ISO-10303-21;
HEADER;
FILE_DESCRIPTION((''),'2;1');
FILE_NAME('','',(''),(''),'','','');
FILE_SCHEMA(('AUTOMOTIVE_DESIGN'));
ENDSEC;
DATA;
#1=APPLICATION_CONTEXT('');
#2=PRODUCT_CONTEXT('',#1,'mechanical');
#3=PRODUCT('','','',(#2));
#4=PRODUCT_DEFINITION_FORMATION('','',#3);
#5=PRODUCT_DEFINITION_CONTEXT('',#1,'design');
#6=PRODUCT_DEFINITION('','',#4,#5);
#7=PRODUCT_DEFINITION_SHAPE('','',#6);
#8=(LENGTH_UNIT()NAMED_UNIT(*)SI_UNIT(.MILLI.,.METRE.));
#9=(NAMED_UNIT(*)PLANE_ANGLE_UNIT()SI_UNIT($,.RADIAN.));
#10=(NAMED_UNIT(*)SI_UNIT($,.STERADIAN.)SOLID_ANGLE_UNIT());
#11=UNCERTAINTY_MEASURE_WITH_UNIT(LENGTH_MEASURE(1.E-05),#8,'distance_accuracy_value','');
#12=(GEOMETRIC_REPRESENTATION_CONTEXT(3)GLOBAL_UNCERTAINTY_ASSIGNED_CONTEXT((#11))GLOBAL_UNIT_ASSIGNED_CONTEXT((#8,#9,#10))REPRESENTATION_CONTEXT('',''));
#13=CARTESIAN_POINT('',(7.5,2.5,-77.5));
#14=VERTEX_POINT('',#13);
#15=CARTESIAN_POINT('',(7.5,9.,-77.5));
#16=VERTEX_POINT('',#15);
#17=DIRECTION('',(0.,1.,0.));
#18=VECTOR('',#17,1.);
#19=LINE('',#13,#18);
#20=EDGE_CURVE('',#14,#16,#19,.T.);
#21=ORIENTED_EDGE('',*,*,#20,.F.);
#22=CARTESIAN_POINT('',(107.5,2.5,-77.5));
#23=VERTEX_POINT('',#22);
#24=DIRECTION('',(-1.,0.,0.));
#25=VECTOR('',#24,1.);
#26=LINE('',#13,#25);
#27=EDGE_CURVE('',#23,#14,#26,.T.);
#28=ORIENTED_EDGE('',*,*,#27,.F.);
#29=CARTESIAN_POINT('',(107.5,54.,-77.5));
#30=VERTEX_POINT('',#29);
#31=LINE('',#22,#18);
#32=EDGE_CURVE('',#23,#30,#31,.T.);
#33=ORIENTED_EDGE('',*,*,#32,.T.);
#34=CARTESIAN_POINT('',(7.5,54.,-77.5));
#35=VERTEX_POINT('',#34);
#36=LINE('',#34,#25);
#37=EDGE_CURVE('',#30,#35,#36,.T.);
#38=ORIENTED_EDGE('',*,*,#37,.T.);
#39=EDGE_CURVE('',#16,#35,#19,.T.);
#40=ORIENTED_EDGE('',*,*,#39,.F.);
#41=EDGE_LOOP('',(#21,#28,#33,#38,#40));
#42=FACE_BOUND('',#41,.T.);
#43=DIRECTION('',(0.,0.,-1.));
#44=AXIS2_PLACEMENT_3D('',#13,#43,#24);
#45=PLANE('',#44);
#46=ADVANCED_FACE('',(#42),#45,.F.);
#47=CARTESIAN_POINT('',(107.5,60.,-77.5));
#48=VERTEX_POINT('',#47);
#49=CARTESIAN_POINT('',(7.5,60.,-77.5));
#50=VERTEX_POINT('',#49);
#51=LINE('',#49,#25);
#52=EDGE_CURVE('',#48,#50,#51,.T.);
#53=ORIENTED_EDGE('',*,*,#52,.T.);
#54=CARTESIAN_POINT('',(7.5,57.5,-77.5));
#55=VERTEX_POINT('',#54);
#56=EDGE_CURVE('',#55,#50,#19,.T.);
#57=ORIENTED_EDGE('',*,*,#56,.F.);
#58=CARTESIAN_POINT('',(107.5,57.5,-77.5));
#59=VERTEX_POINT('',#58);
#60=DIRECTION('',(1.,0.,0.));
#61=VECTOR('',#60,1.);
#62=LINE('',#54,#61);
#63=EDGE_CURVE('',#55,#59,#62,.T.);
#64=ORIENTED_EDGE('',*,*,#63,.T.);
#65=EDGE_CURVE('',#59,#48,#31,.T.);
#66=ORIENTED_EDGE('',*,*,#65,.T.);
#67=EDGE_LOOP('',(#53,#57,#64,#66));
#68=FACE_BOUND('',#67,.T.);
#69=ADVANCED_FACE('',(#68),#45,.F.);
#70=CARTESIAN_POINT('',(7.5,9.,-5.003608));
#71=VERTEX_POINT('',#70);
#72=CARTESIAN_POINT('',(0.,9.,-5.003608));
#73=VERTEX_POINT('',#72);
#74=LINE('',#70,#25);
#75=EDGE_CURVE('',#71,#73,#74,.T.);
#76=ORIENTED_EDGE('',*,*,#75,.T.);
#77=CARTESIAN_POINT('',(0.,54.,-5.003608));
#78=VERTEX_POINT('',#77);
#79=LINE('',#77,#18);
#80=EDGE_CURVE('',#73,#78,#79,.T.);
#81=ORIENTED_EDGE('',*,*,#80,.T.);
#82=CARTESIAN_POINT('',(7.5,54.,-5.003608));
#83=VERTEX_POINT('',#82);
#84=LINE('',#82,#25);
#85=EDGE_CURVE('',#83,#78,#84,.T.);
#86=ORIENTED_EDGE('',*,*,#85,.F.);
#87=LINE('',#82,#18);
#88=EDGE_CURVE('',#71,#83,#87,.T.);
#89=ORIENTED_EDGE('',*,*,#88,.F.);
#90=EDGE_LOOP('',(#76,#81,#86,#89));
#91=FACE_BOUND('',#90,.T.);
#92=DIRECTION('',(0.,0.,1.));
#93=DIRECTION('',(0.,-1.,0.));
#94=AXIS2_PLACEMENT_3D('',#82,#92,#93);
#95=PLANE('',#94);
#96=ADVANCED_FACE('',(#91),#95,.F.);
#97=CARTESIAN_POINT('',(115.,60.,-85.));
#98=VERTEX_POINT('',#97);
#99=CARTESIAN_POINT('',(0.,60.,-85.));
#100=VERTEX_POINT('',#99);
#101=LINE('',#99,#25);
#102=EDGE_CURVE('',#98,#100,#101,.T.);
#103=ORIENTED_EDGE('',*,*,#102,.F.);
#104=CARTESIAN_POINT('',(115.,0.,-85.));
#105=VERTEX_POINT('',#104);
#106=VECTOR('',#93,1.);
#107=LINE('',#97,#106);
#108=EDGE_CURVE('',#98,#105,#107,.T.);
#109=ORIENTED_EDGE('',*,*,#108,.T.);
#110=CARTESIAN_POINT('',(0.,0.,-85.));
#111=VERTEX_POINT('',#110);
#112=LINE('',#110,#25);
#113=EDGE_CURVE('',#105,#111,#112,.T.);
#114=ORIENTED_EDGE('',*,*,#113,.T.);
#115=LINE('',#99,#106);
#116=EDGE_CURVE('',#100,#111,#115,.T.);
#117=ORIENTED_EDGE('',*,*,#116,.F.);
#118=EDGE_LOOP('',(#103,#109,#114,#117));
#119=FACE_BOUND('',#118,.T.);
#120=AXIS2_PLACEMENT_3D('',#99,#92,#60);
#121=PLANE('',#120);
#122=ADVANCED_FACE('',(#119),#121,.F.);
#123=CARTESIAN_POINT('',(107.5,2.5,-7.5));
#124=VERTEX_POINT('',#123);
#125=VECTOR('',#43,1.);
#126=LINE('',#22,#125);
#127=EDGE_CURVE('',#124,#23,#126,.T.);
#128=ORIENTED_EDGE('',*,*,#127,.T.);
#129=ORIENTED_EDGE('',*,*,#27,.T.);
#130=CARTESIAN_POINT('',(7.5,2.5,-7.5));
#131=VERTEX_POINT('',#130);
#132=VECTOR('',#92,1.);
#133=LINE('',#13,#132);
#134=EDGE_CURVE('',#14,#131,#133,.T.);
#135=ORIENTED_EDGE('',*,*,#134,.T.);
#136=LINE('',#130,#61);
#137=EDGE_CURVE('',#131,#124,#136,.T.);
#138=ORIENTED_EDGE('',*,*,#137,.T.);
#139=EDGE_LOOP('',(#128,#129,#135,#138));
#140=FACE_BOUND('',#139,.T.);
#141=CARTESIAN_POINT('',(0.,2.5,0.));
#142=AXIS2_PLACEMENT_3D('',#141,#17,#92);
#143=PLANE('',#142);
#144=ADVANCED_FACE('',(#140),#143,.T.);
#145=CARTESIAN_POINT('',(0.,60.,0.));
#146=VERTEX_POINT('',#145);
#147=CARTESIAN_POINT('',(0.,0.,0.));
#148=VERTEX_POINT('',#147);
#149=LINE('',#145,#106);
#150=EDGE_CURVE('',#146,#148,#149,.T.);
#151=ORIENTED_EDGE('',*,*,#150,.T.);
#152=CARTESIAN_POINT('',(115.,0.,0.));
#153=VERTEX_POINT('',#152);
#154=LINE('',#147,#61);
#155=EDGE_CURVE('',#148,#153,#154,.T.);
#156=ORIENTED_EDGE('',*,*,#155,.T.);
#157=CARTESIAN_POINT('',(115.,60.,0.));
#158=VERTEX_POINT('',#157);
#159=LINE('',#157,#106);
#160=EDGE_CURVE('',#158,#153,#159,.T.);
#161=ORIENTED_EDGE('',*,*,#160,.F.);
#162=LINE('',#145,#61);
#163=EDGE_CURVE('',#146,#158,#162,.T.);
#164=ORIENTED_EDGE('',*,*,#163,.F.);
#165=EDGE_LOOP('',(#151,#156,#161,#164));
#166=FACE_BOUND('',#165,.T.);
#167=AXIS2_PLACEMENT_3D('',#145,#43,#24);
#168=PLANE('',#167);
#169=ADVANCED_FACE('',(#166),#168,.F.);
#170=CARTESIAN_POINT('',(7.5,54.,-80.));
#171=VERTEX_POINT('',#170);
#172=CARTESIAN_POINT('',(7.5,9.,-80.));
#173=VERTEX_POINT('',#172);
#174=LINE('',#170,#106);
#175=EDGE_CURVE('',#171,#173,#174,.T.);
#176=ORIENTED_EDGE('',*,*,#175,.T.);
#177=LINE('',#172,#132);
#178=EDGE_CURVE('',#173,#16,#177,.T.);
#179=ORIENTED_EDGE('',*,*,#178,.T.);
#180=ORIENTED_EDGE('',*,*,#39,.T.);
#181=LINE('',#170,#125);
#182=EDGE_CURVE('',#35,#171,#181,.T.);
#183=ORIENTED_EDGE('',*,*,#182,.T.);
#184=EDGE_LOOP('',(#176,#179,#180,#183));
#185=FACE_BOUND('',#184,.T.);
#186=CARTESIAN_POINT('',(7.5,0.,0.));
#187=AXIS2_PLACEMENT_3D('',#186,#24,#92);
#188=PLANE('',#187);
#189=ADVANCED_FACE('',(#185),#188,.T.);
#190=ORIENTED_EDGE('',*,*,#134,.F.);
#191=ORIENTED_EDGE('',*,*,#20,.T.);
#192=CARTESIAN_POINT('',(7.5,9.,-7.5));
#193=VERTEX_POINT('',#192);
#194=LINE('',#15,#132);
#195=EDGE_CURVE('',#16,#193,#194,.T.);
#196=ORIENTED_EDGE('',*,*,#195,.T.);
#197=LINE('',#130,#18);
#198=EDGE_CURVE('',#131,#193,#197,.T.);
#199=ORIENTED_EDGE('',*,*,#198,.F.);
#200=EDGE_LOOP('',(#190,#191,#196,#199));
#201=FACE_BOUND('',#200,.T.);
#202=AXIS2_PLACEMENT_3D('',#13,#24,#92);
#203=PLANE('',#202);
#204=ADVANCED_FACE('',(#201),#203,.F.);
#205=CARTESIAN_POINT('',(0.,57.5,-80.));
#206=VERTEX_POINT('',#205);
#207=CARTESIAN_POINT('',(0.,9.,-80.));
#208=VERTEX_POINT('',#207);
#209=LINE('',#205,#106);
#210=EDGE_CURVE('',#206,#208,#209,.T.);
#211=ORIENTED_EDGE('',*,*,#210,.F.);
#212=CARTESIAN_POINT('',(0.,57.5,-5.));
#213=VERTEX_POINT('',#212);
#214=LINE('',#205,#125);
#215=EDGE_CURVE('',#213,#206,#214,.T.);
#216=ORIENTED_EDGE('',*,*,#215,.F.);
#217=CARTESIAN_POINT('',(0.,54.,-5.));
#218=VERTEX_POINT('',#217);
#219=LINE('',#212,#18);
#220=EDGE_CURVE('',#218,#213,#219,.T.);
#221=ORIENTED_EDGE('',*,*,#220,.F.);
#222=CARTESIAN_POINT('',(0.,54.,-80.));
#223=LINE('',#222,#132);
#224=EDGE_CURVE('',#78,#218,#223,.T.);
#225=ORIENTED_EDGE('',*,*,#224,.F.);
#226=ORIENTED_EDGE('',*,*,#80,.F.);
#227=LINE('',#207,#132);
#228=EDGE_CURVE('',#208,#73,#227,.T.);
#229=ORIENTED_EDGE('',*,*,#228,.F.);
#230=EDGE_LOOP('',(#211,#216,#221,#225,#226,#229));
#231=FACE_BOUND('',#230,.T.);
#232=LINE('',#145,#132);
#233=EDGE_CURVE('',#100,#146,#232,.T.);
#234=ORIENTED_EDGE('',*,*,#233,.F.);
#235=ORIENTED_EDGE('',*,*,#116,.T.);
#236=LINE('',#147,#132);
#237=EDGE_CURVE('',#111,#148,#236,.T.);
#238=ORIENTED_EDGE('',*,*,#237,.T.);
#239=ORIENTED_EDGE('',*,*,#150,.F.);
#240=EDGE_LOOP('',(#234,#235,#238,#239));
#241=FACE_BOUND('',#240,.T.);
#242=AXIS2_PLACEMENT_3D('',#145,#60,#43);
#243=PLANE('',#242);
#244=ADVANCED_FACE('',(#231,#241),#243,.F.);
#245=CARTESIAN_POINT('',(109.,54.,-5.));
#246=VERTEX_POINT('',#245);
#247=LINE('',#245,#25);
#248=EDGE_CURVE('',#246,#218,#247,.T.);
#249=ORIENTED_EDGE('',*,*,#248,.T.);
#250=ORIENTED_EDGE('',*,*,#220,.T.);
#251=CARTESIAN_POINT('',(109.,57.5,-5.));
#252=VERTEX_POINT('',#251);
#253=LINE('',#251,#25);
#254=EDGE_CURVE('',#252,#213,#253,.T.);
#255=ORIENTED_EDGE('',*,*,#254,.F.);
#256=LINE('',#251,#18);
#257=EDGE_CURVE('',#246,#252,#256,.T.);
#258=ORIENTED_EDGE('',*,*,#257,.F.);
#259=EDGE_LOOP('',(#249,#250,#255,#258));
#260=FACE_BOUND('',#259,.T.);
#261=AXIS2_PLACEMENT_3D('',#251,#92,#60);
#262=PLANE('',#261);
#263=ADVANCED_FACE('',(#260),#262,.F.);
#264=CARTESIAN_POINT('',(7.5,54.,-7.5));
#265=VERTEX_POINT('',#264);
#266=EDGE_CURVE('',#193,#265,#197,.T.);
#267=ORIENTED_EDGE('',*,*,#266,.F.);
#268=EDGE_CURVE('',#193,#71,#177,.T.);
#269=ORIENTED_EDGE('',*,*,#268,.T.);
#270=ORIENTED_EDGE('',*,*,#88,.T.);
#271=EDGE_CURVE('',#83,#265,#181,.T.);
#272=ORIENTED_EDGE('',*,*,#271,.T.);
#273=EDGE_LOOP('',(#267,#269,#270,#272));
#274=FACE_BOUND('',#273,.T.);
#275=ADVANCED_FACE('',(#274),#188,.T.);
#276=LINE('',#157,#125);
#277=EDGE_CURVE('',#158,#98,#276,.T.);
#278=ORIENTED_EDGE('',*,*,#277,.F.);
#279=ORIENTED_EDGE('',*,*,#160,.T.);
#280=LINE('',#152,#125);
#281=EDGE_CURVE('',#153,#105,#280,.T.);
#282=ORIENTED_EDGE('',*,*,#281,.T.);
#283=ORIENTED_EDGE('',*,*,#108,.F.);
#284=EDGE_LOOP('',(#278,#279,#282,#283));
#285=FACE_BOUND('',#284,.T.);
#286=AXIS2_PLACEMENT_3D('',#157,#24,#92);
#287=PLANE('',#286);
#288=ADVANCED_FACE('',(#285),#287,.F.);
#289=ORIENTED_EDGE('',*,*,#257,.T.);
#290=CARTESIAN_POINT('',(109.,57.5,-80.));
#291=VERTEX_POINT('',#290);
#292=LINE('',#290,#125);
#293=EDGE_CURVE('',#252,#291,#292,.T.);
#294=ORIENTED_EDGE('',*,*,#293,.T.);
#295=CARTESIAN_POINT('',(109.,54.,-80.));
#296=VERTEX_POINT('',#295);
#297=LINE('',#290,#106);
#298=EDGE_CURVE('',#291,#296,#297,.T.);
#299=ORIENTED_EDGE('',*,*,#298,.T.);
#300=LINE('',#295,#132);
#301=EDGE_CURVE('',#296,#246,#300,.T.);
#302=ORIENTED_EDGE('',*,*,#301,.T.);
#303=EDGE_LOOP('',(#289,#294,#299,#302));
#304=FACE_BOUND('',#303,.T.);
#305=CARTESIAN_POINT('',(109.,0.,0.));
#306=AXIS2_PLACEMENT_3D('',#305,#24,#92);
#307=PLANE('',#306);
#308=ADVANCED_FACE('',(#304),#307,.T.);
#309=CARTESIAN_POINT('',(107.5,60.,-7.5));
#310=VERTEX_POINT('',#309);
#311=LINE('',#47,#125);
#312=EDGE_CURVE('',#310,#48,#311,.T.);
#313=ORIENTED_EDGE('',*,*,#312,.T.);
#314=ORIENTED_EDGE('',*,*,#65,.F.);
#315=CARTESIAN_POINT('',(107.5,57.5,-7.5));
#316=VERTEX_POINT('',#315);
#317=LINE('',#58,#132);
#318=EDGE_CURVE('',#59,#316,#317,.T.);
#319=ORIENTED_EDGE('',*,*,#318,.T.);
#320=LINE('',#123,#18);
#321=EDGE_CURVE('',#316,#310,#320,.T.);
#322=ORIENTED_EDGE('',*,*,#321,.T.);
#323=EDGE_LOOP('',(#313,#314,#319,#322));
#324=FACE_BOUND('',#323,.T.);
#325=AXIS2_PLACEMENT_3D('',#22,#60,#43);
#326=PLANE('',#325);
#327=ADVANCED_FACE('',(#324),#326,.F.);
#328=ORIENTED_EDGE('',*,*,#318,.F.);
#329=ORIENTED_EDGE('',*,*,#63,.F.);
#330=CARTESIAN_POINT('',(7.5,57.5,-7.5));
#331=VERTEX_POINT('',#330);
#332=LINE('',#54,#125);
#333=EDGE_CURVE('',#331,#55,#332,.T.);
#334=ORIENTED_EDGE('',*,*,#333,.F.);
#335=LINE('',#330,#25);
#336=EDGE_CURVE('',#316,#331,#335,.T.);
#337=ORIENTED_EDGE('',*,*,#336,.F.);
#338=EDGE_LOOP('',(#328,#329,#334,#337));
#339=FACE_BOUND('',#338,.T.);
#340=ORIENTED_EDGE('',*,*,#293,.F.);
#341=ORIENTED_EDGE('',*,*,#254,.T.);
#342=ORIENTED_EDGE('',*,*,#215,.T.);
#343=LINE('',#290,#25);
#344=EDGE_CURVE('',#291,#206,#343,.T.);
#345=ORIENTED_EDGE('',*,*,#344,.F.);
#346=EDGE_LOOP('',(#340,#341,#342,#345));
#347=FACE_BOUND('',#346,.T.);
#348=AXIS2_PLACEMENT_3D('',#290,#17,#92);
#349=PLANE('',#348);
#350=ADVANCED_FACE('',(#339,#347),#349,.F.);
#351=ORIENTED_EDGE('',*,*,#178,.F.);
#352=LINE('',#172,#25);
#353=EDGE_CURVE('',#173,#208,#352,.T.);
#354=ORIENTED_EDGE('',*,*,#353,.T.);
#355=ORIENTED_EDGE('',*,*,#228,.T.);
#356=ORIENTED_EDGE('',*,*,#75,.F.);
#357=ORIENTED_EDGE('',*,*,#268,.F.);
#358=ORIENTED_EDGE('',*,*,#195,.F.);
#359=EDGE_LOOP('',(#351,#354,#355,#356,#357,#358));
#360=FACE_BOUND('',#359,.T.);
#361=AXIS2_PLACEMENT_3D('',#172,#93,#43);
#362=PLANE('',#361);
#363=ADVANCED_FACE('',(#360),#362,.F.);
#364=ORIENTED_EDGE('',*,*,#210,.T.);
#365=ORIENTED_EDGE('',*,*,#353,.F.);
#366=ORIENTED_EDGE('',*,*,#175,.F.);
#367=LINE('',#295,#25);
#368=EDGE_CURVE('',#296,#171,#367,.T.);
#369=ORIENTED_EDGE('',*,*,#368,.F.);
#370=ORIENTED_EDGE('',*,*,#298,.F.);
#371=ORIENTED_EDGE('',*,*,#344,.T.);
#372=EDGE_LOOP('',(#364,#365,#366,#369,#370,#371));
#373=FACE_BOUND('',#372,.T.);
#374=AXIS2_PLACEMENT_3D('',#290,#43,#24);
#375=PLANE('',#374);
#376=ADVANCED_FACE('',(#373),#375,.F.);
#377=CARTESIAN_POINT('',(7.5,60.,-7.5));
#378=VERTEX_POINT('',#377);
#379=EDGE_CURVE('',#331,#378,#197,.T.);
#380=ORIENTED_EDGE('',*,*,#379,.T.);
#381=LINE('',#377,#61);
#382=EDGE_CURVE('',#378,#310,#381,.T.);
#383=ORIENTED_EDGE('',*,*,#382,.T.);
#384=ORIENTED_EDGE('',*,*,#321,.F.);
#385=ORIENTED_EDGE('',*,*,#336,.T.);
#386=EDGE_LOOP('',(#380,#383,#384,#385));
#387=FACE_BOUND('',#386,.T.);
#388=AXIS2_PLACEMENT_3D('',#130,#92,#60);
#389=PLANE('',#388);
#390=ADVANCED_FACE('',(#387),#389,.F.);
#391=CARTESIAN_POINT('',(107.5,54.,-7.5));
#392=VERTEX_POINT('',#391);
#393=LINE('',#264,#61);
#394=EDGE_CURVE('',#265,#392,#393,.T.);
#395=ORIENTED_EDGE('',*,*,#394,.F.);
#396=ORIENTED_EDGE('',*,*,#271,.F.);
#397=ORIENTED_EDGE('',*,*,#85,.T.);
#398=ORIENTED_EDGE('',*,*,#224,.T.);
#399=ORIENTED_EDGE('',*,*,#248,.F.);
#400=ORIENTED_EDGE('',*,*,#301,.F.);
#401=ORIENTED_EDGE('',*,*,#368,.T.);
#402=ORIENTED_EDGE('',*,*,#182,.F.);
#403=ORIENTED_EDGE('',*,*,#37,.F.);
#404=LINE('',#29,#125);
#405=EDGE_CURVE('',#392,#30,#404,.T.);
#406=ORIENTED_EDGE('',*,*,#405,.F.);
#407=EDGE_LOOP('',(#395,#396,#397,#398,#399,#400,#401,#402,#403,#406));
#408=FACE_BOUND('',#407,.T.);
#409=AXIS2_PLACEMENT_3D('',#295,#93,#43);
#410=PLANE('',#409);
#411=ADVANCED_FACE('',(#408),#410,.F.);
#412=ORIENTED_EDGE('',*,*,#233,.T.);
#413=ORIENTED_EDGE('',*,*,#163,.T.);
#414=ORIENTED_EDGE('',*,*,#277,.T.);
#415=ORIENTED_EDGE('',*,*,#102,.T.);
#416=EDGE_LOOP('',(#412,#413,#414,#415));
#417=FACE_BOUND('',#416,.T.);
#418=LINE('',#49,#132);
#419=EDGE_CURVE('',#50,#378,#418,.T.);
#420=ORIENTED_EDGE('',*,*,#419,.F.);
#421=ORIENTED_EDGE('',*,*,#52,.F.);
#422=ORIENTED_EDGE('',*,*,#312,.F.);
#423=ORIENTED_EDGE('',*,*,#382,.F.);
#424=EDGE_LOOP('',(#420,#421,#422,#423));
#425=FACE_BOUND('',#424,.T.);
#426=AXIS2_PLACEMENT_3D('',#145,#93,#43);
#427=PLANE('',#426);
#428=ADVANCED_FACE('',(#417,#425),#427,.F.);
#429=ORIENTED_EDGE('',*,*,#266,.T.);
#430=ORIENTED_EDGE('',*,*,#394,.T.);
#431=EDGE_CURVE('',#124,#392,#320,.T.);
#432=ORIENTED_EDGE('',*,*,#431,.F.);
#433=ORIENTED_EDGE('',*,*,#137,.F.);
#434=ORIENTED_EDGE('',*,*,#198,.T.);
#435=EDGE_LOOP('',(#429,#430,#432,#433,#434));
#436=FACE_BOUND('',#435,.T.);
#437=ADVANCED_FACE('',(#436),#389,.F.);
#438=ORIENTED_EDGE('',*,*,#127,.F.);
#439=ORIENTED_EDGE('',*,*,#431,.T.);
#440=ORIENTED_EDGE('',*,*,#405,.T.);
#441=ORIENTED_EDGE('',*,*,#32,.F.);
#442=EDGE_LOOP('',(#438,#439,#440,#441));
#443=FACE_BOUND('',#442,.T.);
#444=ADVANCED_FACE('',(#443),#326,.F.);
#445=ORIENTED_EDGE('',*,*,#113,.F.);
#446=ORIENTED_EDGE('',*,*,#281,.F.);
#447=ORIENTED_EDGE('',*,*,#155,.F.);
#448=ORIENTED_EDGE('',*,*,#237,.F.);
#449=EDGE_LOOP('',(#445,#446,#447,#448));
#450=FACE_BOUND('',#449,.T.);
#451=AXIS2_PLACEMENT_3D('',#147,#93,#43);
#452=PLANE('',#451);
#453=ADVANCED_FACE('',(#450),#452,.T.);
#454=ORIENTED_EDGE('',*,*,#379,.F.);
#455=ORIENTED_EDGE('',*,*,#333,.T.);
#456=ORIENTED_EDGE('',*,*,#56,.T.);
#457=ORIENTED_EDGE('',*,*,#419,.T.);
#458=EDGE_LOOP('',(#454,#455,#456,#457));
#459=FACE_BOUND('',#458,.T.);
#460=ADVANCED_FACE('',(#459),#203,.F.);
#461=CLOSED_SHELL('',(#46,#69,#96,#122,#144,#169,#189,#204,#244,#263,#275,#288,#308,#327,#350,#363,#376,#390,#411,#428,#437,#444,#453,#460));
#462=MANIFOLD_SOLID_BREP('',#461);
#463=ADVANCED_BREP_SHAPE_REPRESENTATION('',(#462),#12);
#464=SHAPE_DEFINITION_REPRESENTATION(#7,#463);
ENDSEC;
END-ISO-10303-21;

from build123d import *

# Parameters (mm, degrees)
SKETCH1_W           = 115
SKETCH1_H           = 85
BOSS_EXTRUDE1_DEPTH = 60
SKETCH2_W           = 100
SKETCH2_H           = 70
CUT_EXTRUDE1_DEPTH  = 57.5
SKETCH3_W           = 75
SKETCH3_H           = 3.5
CUT_EXTRUDE2_DEPTH  = 109
SKETCH4_W           = 74.99639209
SKETCH4_H           = 45
CUT_EXTRUDE3_DEPTH  = 7.5


with BuildPart() as part:
    # Sketch1 → Boss-Extrude1 (new body)
    with BuildSketch(Plane(origin=(0, 0, 0), x_dir=(1, 0, 0), z_dir=(0, 1, 0))):
        with Locations((57.5, 42.5)):
            Rectangle(SKETCH1_W, SKETCH1_H)
    extrude(amount=BOSS_EXTRUDE1_DEPTH)

    # Sketch2 → Cut-Extrude1 (cut)
    with BuildSketch(Plane(origin=(0, 60, 0), x_dir=(1, 0, 0), z_dir=(0, 1, 0))):
        with Locations((57.5, 42.5)):
            Rectangle(SKETCH2_W, SKETCH2_H)
    extrude(amount=-CUT_EXTRUDE1_DEPTH, mode=Mode.SUBTRACT)

    # Sketch3 → Cut-Extrude2 (cut)
    with BuildSketch(Plane.ZY):
        with Locations((-42.5, 55.75)):
            Rectangle(SKETCH3_W, SKETCH3_H)
    extrude(amount=-CUT_EXTRUDE2_DEPTH, mode=Mode.SUBTRACT)

    # Sketch4 → Cut-Extrude3 (cut)
    with BuildSketch(Plane.ZY):
        with Locations((-42.501803955, 31.5)):
            Rectangle(SKETCH4_W, SKETCH4_H)
    extrude(amount=-CUT_EXTRUDE3_DEPTH, mode=Mode.SUBTRACT)


solid = part.part
